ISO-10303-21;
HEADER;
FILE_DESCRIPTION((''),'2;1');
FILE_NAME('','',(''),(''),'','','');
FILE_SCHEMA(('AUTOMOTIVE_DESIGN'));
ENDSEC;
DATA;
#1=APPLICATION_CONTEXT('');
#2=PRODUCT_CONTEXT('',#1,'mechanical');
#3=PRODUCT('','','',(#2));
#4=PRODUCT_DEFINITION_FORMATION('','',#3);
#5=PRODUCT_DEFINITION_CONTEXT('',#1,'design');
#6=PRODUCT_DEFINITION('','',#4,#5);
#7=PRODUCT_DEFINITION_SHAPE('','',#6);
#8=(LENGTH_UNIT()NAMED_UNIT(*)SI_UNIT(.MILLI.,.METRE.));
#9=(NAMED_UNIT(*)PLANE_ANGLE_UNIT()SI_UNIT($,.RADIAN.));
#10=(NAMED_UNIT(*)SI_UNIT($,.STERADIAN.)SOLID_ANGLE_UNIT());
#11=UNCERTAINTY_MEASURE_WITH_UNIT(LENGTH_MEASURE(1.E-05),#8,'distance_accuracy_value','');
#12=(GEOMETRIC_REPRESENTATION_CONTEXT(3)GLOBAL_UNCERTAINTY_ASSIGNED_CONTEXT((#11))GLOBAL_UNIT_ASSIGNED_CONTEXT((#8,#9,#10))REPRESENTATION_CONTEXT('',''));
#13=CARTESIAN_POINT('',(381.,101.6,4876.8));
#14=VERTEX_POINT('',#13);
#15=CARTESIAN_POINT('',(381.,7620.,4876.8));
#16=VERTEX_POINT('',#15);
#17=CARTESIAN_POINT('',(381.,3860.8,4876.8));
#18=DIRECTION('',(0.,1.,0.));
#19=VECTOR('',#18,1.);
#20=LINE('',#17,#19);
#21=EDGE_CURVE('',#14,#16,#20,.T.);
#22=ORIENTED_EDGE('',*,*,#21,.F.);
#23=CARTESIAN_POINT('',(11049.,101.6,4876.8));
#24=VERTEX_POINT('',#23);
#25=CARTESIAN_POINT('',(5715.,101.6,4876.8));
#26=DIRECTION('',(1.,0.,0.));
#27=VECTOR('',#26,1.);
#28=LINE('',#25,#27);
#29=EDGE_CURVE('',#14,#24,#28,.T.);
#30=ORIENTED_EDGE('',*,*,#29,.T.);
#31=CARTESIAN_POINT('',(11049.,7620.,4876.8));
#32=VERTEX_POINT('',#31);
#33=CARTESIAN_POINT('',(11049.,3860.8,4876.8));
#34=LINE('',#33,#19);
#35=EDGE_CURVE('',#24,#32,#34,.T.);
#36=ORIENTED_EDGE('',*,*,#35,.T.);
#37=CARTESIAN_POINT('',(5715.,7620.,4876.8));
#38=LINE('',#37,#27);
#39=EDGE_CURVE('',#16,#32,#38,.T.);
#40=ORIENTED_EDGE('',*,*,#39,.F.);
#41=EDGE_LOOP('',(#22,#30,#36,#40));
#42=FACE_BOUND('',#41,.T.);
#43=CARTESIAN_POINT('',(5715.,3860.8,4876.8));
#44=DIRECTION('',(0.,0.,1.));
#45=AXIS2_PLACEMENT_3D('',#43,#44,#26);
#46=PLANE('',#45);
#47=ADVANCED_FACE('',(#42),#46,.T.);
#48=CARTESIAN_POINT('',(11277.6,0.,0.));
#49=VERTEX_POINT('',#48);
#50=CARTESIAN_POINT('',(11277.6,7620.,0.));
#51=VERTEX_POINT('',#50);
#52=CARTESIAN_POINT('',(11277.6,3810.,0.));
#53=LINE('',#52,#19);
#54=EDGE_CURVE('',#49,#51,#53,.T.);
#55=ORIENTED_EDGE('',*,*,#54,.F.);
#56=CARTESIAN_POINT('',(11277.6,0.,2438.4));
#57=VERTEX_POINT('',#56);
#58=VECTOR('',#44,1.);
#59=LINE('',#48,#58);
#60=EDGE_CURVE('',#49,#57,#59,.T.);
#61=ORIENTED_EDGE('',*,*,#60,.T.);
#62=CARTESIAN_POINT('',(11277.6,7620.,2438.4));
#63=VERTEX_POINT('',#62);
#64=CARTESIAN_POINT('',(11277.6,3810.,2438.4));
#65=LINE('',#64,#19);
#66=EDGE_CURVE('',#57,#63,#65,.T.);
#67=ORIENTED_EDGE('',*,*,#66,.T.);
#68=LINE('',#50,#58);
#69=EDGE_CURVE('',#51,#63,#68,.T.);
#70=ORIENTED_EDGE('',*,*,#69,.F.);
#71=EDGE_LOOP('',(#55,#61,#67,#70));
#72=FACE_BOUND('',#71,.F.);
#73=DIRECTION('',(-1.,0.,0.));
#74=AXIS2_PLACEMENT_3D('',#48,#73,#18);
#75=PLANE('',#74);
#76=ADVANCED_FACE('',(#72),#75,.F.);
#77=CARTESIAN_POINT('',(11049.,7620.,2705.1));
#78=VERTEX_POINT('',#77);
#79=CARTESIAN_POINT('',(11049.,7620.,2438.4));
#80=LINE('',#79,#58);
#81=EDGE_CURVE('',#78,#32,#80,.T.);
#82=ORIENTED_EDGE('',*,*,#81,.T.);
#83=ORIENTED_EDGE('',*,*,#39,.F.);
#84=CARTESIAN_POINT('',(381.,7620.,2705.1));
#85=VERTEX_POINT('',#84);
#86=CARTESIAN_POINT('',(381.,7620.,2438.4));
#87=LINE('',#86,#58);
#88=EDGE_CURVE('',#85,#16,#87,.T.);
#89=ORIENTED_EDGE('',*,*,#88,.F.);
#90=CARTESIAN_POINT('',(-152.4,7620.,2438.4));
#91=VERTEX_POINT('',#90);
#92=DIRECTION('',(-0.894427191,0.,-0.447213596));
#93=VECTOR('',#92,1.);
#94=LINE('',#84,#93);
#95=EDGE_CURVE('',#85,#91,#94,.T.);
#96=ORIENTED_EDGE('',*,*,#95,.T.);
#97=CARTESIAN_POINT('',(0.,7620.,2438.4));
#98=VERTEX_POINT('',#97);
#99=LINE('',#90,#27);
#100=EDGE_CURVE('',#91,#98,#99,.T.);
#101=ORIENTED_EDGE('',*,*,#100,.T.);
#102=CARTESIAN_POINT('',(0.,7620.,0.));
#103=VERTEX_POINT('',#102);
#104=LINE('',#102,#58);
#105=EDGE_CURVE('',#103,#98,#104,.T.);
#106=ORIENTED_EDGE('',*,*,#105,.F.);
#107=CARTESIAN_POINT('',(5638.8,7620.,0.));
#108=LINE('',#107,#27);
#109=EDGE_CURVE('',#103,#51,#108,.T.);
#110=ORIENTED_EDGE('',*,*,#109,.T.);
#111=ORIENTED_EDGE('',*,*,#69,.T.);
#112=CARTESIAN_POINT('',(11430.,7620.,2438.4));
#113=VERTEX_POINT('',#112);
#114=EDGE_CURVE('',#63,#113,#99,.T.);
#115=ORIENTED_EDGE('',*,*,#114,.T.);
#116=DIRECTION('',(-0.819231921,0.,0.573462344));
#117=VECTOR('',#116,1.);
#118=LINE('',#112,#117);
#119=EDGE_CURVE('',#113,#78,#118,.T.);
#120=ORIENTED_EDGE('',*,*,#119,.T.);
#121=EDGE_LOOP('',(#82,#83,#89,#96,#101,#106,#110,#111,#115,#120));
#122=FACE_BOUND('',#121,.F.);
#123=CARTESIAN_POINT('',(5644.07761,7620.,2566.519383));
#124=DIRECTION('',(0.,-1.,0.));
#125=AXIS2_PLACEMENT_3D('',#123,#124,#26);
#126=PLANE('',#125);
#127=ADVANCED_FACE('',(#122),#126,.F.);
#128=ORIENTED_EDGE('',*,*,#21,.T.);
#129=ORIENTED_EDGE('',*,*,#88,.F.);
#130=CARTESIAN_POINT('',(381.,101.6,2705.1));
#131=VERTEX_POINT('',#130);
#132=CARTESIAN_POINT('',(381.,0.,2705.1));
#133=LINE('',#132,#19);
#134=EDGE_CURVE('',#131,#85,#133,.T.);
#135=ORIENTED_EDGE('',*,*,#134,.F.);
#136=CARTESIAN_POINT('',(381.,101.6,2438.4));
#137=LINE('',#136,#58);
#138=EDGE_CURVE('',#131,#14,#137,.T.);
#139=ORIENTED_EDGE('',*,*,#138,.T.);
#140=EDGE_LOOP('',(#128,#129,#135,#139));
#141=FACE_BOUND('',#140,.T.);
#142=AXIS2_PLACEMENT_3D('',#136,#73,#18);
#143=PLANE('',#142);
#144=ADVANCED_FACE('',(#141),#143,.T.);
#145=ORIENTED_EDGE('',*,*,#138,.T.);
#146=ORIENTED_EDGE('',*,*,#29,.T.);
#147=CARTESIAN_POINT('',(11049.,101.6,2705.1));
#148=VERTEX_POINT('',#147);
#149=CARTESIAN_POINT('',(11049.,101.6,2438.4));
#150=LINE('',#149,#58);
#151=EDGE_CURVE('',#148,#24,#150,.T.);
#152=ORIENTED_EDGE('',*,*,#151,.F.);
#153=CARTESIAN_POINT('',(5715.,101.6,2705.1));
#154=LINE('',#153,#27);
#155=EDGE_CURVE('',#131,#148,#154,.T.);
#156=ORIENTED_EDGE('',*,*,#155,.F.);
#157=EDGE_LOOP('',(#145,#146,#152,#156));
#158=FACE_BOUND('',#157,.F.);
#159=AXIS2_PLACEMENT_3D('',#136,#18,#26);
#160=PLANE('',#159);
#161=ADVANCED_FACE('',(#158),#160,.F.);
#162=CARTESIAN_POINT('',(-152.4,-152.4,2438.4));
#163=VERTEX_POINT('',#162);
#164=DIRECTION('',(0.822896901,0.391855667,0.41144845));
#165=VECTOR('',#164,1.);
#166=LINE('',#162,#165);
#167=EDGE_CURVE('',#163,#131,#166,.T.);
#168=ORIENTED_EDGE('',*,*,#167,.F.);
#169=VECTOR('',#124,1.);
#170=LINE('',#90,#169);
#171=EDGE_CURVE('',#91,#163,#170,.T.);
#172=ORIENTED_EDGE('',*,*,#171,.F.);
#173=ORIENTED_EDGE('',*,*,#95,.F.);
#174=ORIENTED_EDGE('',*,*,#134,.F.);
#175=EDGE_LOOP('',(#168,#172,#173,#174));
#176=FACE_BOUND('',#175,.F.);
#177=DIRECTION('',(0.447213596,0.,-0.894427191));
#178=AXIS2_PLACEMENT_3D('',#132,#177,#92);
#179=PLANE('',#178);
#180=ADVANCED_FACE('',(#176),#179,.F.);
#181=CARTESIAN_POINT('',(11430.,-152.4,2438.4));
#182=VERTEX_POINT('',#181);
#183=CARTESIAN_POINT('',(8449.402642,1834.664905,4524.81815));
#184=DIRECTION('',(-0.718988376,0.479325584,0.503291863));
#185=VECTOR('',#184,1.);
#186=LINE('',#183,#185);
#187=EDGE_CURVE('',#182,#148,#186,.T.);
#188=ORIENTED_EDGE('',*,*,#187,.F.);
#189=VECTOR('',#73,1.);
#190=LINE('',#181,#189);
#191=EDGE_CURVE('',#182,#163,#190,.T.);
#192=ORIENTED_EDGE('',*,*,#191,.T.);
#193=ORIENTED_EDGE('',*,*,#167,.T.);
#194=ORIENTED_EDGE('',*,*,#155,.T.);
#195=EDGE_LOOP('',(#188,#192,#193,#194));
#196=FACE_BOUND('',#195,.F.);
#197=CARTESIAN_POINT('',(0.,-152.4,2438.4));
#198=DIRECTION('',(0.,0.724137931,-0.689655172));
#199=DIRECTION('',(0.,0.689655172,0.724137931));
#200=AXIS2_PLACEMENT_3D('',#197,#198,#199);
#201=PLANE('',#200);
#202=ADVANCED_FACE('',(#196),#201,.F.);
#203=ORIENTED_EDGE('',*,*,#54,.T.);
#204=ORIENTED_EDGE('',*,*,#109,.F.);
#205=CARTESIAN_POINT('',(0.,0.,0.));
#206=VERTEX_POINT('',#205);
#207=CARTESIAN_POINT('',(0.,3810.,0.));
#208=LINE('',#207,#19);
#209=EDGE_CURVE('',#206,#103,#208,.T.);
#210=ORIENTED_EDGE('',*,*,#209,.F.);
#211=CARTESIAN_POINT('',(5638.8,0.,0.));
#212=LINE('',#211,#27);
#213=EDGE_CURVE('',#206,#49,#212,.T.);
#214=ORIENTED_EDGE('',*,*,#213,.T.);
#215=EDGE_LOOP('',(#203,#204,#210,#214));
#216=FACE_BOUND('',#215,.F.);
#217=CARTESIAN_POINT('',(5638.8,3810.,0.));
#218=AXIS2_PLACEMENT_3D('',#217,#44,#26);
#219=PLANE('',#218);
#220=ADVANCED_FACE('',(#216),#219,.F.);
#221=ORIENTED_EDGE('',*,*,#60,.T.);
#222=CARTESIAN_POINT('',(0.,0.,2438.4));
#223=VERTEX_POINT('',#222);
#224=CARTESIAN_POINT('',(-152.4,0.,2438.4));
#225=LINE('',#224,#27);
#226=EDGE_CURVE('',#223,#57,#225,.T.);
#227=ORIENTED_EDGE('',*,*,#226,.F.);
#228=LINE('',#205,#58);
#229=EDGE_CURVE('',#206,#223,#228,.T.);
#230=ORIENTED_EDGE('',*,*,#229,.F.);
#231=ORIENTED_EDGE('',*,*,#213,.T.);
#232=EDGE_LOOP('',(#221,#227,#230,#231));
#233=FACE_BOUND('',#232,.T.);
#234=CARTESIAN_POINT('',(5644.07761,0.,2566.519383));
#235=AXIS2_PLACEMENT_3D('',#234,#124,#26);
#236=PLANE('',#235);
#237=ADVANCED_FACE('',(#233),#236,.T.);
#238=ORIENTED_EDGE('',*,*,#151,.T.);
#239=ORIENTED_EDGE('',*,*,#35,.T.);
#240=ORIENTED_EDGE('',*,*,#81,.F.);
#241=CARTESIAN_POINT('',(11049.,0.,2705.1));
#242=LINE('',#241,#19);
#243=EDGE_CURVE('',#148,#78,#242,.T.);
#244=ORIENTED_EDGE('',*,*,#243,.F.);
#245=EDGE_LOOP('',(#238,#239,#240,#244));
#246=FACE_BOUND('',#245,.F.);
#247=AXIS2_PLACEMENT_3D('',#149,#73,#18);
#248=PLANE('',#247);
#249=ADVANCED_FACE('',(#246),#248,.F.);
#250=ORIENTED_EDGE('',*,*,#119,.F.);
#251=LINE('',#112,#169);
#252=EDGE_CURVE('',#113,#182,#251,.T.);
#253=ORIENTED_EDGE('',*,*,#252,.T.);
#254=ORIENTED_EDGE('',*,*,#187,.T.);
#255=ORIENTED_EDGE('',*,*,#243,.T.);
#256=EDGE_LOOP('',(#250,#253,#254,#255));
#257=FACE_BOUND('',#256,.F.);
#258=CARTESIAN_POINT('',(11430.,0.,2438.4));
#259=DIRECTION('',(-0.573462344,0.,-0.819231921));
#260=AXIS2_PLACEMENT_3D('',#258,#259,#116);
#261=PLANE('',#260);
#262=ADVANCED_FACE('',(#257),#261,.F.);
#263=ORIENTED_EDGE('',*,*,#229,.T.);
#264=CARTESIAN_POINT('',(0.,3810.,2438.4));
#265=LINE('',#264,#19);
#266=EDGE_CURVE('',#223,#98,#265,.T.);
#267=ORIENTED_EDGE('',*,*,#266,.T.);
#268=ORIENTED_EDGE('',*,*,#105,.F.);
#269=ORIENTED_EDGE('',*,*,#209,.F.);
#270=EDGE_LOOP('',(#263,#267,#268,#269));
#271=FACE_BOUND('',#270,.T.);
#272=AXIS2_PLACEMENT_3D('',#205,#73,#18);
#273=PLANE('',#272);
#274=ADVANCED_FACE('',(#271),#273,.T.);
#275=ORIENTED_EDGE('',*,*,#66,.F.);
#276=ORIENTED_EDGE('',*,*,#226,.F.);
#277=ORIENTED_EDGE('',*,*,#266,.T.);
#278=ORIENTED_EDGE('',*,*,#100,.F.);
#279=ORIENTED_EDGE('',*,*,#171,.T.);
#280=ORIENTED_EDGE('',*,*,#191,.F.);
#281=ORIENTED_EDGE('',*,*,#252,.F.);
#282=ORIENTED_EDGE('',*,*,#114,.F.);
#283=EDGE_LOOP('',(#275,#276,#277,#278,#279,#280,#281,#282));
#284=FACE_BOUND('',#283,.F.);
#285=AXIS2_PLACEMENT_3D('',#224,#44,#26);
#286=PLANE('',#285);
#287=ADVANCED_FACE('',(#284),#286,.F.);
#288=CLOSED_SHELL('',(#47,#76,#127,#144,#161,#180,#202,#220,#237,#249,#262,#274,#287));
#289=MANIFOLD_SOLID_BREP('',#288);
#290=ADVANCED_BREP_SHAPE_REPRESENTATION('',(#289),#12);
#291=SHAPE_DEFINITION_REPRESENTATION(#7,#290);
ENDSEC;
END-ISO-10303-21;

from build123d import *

# Parameters (mm, degrees)
F0_W          = 11277.6
F0_H          = 7620
F1_DEPTH      = 2438.4
F2_W          = 10668
F2_H          = 7518.4
F3_DEPTH      = 2438.4
F5_DEPTH      = 7620
F5_DEPTH_BACK = 152.4
F7_DEPTH      = 11430.001
F7_DEPTH_BACK = 152.401


with BuildPart() as f1:
    # F0 (on Top) → F1 (new body)
    with BuildSketch(Plane.XY):
        with Locations((5638.8, 3810)):
            Rectangle(F0_W, F0_H)
    extrude(amount=F1_DEPTH)



with BuildPart() as f3:
    # F2 (on face) → F3 (new body)
    with BuildSketch(Plane.XY.offset(2438.4)):
        with Locations((5715, 3860.8)):
            Rectangle(F2_W, F2_H)
    extrude(amount=F3_DEPTH)


with BuildPart() as f1_1:
    add(f1.part)

    add(f3.part)  # F5 merges F3
    # F4 (on Front) → F5 (join, two sides)
    with BuildSketch(Plane.XZ) as f5_sk:
        Polygon((381, 2705.1), (-152.4, 2438.4), (11430, 2438.4), (11049, 2705.1), align=None)
    extrude(amount=-F5_DEPTH)
    extrude(f5_sk.sketch, amount=F5_DEPTH_BACK)

    # F6 (on Right) → F7 (cut, two sides)
    with BuildSketch(Plane.YZ) as f7_sk:
        Polygon((-152.4, 2705.1), (-152.4, 2438.4), (101.6, 2705.1), align=None)
    extrude(amount=F7_DEPTH, mode=Mode.SUBTRACT)
    extrude(f7_sk.sketch, amount=-F7_DEPTH_BACK, mode=Mode.SUBTRACT)


solid = f1_1.part
